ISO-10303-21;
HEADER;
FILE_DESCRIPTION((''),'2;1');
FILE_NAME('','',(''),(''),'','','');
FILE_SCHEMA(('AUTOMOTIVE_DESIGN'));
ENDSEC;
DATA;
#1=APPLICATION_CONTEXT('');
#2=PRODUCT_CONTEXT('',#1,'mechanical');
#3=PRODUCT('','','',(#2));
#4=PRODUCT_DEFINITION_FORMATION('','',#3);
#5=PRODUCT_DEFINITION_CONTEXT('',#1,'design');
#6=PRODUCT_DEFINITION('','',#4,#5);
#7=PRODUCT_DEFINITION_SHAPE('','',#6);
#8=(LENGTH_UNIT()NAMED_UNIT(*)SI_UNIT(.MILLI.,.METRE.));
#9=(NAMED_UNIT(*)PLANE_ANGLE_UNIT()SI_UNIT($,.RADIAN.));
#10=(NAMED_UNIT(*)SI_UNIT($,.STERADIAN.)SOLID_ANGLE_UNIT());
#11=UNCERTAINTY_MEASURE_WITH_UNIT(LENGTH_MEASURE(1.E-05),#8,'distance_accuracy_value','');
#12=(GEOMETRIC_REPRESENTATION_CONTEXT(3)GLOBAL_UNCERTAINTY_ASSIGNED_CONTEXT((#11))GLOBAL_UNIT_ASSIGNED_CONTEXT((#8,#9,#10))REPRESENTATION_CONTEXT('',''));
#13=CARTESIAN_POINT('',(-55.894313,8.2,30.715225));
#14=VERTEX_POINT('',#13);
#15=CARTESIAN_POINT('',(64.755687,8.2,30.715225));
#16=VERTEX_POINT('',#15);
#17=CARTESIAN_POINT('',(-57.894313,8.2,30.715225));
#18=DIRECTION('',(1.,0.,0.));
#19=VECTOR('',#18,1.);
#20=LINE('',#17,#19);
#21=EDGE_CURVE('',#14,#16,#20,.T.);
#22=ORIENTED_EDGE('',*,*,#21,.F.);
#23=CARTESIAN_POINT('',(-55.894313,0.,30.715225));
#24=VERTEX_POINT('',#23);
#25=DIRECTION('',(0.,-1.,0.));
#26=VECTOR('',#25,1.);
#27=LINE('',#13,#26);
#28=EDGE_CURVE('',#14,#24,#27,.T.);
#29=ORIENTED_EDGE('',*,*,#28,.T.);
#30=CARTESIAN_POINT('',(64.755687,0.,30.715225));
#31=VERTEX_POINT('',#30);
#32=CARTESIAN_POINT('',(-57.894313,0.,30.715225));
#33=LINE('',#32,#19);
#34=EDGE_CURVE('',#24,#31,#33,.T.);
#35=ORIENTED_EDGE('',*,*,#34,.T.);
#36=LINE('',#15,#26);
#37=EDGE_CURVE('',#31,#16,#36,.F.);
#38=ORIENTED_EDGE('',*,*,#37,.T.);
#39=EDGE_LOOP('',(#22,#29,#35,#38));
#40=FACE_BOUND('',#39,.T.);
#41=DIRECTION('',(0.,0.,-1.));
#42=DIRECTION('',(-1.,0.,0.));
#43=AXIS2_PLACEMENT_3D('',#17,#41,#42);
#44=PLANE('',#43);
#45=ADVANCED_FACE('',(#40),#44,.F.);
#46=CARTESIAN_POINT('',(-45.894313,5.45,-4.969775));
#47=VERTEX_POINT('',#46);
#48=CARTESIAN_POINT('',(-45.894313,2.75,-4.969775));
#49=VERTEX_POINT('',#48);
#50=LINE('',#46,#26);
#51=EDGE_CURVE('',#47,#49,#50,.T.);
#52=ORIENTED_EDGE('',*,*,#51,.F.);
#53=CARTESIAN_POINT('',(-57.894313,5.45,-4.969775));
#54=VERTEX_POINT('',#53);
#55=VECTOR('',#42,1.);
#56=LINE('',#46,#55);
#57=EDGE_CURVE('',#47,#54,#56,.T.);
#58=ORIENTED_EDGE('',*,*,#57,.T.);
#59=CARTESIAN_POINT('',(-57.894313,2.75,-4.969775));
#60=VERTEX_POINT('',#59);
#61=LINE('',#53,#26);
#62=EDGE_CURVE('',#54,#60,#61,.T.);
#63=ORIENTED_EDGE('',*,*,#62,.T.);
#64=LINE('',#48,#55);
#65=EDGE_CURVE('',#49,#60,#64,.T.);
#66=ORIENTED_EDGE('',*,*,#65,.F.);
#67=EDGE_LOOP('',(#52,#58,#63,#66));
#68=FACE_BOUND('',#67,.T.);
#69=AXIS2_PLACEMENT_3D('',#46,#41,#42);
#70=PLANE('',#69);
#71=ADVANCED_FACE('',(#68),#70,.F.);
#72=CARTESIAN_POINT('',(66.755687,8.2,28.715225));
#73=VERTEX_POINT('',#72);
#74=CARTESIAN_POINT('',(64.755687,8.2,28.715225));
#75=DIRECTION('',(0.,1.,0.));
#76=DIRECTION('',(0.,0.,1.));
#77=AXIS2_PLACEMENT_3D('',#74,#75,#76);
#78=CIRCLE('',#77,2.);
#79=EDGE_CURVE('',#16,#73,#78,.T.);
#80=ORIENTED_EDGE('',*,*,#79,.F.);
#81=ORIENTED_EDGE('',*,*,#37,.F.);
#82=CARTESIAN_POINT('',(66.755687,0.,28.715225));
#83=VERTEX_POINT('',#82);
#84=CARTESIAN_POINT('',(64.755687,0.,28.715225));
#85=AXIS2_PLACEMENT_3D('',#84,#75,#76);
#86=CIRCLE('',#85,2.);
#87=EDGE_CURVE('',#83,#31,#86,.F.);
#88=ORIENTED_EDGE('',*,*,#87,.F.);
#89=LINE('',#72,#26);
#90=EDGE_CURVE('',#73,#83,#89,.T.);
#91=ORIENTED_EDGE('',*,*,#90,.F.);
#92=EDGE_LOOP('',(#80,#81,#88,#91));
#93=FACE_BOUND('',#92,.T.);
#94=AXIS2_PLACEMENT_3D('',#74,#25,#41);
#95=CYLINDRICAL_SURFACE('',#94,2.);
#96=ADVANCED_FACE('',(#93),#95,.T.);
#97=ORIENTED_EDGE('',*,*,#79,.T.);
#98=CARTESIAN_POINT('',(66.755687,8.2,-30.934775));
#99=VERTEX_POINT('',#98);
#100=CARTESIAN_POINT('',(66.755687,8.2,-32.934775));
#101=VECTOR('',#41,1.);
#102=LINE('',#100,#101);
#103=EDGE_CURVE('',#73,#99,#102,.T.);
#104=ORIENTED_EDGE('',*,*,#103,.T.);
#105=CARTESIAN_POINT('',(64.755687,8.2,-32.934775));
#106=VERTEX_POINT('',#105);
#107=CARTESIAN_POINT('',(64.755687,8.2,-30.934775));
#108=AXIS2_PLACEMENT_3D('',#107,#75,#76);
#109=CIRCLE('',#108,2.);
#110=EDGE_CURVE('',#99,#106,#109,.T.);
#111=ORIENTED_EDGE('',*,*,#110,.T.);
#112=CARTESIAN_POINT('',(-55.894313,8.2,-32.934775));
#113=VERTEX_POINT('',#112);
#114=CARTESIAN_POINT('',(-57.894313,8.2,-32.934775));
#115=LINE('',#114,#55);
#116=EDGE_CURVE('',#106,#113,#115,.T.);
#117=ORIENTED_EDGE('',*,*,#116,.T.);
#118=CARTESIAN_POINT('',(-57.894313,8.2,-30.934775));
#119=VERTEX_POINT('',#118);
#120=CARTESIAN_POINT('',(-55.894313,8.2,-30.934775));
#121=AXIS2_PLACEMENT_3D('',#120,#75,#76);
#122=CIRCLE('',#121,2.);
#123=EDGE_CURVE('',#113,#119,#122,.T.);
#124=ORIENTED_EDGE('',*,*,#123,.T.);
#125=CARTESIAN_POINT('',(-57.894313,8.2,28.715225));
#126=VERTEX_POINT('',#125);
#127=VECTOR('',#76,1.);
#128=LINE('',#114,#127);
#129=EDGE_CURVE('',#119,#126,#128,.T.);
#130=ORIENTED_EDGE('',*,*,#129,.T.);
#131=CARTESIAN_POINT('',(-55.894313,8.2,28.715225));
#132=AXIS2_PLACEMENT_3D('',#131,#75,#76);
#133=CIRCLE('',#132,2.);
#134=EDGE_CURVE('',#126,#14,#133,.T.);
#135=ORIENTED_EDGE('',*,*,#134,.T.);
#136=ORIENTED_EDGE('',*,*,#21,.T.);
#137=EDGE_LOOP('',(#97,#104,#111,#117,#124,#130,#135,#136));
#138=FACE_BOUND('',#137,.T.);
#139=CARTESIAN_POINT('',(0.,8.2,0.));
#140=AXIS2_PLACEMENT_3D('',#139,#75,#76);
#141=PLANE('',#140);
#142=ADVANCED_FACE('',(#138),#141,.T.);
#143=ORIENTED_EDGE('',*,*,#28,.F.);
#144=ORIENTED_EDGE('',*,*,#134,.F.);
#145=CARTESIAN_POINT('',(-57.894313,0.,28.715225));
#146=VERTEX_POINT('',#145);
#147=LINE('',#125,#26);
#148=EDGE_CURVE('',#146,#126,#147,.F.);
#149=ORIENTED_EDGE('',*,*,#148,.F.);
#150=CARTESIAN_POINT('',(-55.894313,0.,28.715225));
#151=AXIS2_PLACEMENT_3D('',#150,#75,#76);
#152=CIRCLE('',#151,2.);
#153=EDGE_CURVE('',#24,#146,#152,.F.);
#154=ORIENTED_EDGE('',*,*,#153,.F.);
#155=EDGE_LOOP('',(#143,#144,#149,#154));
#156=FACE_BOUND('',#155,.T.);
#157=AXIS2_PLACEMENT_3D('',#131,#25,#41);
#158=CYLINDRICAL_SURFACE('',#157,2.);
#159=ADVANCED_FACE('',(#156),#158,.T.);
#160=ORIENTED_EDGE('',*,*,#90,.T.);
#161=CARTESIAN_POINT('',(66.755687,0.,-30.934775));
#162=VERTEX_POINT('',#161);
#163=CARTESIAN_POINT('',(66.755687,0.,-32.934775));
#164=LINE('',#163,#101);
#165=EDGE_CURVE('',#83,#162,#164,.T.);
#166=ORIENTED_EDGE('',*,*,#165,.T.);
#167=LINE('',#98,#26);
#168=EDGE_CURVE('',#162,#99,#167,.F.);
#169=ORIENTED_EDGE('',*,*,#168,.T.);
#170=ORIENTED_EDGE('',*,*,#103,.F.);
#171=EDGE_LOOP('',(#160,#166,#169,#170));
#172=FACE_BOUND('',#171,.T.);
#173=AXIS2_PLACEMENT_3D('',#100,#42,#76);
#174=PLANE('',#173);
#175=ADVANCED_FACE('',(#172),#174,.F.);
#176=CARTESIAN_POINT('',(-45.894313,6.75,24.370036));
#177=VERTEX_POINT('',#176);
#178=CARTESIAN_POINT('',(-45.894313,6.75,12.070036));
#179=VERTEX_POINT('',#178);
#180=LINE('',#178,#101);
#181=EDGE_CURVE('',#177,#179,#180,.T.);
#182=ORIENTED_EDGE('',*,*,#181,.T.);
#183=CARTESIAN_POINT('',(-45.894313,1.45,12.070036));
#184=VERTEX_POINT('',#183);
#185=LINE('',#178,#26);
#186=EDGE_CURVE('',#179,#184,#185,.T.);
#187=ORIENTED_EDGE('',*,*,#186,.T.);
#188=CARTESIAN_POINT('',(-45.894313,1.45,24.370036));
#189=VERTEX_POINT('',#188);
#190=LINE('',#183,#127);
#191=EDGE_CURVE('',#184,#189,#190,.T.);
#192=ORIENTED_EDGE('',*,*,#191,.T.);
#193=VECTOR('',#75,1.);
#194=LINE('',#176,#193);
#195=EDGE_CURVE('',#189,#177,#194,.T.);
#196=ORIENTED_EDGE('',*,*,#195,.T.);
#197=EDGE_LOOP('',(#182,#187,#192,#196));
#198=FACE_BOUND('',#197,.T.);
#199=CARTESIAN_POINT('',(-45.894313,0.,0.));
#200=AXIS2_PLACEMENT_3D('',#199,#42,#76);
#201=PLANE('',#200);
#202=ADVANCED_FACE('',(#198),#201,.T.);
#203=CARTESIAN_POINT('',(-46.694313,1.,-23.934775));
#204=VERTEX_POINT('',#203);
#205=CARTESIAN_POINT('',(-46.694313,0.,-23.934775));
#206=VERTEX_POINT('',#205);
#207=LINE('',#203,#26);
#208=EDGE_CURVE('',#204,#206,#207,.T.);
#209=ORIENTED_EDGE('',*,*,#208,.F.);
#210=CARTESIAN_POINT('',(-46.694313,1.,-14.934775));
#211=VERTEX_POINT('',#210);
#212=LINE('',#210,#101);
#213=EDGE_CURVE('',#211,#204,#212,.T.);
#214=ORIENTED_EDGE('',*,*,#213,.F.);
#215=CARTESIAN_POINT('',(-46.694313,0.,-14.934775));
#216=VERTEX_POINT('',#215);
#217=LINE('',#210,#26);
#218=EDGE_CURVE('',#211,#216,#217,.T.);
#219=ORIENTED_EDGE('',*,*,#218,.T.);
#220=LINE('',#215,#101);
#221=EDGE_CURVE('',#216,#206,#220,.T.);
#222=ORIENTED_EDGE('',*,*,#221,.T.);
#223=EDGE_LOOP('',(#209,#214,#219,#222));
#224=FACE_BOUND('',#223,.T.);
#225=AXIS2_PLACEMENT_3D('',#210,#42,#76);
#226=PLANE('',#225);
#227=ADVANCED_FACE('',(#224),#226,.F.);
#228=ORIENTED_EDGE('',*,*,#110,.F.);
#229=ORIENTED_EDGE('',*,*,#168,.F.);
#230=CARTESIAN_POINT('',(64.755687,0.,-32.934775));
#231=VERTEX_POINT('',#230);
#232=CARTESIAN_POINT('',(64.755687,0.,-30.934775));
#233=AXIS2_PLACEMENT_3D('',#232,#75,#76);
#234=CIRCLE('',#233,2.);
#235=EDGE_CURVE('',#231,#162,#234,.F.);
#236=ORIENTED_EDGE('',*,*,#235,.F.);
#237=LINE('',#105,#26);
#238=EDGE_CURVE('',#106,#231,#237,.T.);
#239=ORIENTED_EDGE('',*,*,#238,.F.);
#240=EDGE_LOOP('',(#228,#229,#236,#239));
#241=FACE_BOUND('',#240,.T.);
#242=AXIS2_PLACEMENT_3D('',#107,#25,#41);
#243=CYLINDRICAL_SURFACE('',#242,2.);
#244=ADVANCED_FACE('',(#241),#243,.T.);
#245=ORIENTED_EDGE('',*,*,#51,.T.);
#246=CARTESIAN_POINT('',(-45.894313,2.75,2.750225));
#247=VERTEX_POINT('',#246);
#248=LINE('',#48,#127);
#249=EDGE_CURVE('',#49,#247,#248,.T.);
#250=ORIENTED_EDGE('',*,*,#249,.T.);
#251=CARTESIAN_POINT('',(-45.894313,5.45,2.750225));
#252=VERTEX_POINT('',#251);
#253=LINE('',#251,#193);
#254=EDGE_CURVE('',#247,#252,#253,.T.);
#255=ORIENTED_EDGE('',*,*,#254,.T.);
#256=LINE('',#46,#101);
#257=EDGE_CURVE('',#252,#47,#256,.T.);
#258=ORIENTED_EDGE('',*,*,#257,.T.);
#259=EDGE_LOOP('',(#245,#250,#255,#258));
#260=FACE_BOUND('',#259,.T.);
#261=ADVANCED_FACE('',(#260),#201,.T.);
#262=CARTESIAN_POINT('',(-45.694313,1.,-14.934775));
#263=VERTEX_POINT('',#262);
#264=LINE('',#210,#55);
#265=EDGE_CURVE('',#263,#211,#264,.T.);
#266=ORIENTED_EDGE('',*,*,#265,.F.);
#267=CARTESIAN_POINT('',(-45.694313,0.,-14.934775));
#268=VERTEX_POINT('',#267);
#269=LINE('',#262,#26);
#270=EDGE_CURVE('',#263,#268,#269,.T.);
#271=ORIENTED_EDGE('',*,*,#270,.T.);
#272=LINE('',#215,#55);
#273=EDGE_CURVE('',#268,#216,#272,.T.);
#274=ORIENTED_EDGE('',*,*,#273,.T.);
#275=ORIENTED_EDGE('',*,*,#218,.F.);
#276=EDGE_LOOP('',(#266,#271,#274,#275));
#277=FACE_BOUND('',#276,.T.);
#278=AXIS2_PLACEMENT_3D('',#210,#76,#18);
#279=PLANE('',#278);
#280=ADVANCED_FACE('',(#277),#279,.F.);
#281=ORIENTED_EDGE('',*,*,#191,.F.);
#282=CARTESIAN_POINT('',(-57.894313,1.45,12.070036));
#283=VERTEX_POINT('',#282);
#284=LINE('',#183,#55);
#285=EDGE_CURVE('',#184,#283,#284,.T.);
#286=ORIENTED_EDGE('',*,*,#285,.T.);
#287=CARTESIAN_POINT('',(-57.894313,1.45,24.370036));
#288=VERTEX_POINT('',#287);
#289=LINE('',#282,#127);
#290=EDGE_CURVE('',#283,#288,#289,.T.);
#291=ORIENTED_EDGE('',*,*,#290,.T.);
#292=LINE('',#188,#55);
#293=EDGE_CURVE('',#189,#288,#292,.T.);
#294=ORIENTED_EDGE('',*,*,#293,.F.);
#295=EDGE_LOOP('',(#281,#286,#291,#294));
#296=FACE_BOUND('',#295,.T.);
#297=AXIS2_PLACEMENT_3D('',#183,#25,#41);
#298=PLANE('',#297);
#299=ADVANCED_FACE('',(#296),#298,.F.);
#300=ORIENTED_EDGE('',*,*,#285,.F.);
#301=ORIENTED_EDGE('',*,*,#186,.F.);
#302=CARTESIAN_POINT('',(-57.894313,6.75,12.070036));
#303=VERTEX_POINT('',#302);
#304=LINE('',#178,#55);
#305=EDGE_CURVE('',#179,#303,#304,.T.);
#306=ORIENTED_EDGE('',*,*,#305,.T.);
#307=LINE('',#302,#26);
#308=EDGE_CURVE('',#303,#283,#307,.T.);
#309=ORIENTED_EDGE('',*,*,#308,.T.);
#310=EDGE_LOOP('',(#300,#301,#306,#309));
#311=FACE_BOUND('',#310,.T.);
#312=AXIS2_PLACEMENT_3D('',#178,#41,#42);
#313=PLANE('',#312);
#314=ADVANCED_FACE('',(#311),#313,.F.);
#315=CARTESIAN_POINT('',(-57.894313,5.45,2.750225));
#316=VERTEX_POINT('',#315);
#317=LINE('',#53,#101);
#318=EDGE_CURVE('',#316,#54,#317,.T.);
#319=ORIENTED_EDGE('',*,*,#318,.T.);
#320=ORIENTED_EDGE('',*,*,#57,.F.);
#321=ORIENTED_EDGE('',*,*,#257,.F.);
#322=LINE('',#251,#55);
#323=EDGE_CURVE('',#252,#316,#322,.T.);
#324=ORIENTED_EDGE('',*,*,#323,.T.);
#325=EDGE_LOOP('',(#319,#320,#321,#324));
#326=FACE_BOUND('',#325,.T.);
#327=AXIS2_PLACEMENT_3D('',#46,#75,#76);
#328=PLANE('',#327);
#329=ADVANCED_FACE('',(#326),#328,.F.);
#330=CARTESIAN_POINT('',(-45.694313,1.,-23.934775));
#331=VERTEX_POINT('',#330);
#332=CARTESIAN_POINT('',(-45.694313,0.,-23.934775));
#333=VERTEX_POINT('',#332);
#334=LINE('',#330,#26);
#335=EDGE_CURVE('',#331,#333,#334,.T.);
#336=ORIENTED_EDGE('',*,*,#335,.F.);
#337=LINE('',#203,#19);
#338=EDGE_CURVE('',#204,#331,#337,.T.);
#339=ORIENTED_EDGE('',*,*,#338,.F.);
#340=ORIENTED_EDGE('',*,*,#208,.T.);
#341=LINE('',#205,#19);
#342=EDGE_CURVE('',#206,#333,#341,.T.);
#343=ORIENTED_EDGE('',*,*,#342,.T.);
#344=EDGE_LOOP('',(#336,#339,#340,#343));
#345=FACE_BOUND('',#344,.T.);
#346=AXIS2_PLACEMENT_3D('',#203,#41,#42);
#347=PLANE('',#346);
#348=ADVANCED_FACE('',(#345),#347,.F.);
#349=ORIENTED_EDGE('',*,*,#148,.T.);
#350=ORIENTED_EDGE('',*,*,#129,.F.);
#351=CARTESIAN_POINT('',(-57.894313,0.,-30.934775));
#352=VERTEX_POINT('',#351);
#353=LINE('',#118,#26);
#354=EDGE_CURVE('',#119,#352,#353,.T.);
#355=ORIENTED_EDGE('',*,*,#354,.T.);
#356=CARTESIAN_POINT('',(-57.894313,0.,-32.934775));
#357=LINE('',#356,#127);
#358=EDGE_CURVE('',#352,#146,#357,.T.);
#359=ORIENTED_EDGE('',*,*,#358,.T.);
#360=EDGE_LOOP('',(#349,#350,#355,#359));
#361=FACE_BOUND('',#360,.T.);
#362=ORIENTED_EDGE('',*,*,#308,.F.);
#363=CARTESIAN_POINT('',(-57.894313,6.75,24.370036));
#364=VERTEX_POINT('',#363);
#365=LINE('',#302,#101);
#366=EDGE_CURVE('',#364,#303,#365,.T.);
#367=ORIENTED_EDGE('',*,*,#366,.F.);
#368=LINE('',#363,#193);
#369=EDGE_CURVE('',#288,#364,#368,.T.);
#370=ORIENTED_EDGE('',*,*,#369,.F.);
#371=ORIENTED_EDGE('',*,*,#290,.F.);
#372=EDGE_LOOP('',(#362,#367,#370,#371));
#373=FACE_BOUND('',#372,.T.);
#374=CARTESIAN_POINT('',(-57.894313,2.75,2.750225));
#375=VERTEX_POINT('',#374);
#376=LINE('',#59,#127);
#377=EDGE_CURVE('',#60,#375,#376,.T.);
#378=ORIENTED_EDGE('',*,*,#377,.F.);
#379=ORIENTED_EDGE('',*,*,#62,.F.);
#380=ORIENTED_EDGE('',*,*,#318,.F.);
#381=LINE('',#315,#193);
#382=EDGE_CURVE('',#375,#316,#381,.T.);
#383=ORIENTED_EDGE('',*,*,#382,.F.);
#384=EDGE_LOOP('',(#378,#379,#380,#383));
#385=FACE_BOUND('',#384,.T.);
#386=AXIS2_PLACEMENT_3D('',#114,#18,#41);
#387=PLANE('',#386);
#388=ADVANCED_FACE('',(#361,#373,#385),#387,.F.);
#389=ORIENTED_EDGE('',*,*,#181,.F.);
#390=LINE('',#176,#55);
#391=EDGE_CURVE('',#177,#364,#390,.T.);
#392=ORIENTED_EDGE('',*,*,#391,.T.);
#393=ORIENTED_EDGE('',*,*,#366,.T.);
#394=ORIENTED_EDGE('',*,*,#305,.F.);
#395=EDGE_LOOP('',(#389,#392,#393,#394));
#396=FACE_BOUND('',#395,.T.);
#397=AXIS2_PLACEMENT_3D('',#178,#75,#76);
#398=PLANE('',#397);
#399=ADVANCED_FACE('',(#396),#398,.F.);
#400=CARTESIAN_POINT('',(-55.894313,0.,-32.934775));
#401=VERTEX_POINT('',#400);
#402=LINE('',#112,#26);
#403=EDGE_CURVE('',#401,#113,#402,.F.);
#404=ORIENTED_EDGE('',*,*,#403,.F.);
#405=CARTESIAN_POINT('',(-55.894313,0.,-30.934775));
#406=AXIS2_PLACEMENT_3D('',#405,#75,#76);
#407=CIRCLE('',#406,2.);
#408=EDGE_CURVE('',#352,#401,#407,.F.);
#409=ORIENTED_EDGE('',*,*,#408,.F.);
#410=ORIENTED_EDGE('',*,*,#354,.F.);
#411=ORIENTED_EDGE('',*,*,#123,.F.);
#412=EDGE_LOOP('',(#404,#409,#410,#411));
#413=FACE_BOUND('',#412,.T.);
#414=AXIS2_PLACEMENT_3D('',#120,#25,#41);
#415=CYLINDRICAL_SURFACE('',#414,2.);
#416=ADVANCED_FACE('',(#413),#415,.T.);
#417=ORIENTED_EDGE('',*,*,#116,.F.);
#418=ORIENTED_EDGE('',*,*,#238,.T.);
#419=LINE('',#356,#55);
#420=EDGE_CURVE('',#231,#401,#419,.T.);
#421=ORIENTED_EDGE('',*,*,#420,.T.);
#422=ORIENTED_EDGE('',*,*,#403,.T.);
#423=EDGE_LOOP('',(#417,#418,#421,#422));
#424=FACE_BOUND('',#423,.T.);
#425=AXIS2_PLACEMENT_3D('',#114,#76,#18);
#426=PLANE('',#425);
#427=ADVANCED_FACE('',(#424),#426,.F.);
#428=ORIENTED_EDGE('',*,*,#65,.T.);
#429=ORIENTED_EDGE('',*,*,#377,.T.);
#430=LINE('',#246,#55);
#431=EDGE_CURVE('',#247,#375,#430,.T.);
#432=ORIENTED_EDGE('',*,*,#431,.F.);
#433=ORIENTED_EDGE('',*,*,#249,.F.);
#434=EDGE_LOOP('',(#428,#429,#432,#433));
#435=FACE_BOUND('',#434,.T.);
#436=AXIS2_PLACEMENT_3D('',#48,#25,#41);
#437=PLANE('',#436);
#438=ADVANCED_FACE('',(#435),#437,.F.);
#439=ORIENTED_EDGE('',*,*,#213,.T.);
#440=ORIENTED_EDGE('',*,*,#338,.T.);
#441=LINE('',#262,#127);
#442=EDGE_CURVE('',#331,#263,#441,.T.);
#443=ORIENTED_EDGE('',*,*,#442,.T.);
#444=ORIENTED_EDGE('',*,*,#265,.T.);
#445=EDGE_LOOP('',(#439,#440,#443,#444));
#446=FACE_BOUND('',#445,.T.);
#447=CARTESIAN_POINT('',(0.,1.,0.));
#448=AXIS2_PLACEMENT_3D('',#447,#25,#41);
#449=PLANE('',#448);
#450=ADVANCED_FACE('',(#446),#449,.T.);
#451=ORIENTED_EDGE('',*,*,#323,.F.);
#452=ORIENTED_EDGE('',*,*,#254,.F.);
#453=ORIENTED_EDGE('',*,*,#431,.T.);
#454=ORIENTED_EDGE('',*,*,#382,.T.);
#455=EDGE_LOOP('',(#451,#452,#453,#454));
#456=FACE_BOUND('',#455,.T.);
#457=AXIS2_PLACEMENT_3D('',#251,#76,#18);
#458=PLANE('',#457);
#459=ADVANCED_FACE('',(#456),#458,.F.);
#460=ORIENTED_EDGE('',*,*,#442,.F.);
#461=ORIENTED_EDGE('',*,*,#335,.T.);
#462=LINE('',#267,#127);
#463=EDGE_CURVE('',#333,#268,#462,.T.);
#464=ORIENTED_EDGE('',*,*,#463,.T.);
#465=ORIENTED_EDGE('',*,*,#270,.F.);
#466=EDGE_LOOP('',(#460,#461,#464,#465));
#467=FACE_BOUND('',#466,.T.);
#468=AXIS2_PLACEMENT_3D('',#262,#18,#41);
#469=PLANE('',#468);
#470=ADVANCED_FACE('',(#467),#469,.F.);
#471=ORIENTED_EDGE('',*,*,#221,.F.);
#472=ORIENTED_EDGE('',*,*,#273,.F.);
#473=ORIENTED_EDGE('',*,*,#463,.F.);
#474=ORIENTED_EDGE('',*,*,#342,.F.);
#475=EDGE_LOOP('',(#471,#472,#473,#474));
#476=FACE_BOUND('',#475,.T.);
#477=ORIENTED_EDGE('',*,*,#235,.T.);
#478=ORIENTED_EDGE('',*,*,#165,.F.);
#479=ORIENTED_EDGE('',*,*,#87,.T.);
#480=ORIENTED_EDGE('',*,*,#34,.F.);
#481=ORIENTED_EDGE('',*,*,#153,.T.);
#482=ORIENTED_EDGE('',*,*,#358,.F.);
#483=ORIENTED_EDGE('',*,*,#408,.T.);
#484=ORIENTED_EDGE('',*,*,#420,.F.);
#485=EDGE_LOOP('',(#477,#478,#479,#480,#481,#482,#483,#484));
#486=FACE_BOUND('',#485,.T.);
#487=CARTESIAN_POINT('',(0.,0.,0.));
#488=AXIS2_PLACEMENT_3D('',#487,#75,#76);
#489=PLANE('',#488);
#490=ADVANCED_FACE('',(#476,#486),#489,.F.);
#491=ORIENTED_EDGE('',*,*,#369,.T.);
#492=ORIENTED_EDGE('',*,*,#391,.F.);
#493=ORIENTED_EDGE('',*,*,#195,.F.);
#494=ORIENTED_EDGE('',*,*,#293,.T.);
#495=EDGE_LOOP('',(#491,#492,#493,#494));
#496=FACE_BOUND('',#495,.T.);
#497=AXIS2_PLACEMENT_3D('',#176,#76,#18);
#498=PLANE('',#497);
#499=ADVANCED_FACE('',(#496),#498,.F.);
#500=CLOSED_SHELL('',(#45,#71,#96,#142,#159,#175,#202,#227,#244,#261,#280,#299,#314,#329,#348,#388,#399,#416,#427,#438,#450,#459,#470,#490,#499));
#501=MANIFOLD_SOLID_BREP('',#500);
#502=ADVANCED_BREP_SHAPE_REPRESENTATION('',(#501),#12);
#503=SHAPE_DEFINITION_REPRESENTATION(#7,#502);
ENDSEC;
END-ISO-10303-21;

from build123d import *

# Parameters (mm, degrees)
SKETCH1_W           = 124.65
SKETCH1_H           = 63.65
BOSS_EXTRUDE1_DEPTH = 8.2
SKETCH2_W           = 7.72
SKETCH2_H           = 2.7
SKETCH2_W_2         = 12.3
SKETCH2_H_2         = 5.3
CUT_EXTRUDE1_DEPTH  = 12
SKETCH3_W           = 1
SKETCH3_H           = 9
CUT_EXTRUDE2_DEPTH  = 1
FILLET1_R           = 2


with BuildPart() as part:
    # Sketch1 → Boss-Extrude1 (new body)
    with BuildSketch(Plane(origin=(0, 0, 0), x_dir=(1, 0, 0), z_dir=(0, 1, 0))):
        with Locations((4.430687204, 1.109774882)):
            Rectangle(SKETCH1_W, SKETCH1_H)
    extrude(amount=BOSS_EXTRUDE1_DEPTH)

    # Sketch2 → Cut-Extrude1 (cut)
    with BuildSketch(Plane.ZY.offset(57.894312796)):
        with Locations((-1.109774882, 4.1)):
            Rectangle(SKETCH2_W, SKETCH2_H)
        with Locations((18.220036332, 4.1)):
            Rectangle(SKETCH2_W_2, SKETCH2_H_2)
    extrude(amount=-CUT_EXTRUDE1_DEPTH, mode=Mode.SUBTRACT)

    # Sketch3 → Cut-Extrude2 (cut)
    with BuildSketch(Plane.XZ):
        with Locations((-46.194312796, -19.434774882)):
            Rectangle(SKETCH3_W, SKETCH3_H)
    extrude(amount=-CUT_EXTRUDE2_DEPTH, mode=Mode.SUBTRACT)

    # Fillet1
    fillet1_edges = [part.edges().sort_by_distance(p)[0] for p in [
        (-57.894312796, 4.1, -32.934774882),
        (66.755687204, 4.1, -32.934774882),
        (66.755687204, 4.1, 30.715225118),
        (-57.894312796, 4.1, 30.715225118),
    ]]
    fillet(fillet1_edges, radius=FILLET1_R)


solid = part.part
